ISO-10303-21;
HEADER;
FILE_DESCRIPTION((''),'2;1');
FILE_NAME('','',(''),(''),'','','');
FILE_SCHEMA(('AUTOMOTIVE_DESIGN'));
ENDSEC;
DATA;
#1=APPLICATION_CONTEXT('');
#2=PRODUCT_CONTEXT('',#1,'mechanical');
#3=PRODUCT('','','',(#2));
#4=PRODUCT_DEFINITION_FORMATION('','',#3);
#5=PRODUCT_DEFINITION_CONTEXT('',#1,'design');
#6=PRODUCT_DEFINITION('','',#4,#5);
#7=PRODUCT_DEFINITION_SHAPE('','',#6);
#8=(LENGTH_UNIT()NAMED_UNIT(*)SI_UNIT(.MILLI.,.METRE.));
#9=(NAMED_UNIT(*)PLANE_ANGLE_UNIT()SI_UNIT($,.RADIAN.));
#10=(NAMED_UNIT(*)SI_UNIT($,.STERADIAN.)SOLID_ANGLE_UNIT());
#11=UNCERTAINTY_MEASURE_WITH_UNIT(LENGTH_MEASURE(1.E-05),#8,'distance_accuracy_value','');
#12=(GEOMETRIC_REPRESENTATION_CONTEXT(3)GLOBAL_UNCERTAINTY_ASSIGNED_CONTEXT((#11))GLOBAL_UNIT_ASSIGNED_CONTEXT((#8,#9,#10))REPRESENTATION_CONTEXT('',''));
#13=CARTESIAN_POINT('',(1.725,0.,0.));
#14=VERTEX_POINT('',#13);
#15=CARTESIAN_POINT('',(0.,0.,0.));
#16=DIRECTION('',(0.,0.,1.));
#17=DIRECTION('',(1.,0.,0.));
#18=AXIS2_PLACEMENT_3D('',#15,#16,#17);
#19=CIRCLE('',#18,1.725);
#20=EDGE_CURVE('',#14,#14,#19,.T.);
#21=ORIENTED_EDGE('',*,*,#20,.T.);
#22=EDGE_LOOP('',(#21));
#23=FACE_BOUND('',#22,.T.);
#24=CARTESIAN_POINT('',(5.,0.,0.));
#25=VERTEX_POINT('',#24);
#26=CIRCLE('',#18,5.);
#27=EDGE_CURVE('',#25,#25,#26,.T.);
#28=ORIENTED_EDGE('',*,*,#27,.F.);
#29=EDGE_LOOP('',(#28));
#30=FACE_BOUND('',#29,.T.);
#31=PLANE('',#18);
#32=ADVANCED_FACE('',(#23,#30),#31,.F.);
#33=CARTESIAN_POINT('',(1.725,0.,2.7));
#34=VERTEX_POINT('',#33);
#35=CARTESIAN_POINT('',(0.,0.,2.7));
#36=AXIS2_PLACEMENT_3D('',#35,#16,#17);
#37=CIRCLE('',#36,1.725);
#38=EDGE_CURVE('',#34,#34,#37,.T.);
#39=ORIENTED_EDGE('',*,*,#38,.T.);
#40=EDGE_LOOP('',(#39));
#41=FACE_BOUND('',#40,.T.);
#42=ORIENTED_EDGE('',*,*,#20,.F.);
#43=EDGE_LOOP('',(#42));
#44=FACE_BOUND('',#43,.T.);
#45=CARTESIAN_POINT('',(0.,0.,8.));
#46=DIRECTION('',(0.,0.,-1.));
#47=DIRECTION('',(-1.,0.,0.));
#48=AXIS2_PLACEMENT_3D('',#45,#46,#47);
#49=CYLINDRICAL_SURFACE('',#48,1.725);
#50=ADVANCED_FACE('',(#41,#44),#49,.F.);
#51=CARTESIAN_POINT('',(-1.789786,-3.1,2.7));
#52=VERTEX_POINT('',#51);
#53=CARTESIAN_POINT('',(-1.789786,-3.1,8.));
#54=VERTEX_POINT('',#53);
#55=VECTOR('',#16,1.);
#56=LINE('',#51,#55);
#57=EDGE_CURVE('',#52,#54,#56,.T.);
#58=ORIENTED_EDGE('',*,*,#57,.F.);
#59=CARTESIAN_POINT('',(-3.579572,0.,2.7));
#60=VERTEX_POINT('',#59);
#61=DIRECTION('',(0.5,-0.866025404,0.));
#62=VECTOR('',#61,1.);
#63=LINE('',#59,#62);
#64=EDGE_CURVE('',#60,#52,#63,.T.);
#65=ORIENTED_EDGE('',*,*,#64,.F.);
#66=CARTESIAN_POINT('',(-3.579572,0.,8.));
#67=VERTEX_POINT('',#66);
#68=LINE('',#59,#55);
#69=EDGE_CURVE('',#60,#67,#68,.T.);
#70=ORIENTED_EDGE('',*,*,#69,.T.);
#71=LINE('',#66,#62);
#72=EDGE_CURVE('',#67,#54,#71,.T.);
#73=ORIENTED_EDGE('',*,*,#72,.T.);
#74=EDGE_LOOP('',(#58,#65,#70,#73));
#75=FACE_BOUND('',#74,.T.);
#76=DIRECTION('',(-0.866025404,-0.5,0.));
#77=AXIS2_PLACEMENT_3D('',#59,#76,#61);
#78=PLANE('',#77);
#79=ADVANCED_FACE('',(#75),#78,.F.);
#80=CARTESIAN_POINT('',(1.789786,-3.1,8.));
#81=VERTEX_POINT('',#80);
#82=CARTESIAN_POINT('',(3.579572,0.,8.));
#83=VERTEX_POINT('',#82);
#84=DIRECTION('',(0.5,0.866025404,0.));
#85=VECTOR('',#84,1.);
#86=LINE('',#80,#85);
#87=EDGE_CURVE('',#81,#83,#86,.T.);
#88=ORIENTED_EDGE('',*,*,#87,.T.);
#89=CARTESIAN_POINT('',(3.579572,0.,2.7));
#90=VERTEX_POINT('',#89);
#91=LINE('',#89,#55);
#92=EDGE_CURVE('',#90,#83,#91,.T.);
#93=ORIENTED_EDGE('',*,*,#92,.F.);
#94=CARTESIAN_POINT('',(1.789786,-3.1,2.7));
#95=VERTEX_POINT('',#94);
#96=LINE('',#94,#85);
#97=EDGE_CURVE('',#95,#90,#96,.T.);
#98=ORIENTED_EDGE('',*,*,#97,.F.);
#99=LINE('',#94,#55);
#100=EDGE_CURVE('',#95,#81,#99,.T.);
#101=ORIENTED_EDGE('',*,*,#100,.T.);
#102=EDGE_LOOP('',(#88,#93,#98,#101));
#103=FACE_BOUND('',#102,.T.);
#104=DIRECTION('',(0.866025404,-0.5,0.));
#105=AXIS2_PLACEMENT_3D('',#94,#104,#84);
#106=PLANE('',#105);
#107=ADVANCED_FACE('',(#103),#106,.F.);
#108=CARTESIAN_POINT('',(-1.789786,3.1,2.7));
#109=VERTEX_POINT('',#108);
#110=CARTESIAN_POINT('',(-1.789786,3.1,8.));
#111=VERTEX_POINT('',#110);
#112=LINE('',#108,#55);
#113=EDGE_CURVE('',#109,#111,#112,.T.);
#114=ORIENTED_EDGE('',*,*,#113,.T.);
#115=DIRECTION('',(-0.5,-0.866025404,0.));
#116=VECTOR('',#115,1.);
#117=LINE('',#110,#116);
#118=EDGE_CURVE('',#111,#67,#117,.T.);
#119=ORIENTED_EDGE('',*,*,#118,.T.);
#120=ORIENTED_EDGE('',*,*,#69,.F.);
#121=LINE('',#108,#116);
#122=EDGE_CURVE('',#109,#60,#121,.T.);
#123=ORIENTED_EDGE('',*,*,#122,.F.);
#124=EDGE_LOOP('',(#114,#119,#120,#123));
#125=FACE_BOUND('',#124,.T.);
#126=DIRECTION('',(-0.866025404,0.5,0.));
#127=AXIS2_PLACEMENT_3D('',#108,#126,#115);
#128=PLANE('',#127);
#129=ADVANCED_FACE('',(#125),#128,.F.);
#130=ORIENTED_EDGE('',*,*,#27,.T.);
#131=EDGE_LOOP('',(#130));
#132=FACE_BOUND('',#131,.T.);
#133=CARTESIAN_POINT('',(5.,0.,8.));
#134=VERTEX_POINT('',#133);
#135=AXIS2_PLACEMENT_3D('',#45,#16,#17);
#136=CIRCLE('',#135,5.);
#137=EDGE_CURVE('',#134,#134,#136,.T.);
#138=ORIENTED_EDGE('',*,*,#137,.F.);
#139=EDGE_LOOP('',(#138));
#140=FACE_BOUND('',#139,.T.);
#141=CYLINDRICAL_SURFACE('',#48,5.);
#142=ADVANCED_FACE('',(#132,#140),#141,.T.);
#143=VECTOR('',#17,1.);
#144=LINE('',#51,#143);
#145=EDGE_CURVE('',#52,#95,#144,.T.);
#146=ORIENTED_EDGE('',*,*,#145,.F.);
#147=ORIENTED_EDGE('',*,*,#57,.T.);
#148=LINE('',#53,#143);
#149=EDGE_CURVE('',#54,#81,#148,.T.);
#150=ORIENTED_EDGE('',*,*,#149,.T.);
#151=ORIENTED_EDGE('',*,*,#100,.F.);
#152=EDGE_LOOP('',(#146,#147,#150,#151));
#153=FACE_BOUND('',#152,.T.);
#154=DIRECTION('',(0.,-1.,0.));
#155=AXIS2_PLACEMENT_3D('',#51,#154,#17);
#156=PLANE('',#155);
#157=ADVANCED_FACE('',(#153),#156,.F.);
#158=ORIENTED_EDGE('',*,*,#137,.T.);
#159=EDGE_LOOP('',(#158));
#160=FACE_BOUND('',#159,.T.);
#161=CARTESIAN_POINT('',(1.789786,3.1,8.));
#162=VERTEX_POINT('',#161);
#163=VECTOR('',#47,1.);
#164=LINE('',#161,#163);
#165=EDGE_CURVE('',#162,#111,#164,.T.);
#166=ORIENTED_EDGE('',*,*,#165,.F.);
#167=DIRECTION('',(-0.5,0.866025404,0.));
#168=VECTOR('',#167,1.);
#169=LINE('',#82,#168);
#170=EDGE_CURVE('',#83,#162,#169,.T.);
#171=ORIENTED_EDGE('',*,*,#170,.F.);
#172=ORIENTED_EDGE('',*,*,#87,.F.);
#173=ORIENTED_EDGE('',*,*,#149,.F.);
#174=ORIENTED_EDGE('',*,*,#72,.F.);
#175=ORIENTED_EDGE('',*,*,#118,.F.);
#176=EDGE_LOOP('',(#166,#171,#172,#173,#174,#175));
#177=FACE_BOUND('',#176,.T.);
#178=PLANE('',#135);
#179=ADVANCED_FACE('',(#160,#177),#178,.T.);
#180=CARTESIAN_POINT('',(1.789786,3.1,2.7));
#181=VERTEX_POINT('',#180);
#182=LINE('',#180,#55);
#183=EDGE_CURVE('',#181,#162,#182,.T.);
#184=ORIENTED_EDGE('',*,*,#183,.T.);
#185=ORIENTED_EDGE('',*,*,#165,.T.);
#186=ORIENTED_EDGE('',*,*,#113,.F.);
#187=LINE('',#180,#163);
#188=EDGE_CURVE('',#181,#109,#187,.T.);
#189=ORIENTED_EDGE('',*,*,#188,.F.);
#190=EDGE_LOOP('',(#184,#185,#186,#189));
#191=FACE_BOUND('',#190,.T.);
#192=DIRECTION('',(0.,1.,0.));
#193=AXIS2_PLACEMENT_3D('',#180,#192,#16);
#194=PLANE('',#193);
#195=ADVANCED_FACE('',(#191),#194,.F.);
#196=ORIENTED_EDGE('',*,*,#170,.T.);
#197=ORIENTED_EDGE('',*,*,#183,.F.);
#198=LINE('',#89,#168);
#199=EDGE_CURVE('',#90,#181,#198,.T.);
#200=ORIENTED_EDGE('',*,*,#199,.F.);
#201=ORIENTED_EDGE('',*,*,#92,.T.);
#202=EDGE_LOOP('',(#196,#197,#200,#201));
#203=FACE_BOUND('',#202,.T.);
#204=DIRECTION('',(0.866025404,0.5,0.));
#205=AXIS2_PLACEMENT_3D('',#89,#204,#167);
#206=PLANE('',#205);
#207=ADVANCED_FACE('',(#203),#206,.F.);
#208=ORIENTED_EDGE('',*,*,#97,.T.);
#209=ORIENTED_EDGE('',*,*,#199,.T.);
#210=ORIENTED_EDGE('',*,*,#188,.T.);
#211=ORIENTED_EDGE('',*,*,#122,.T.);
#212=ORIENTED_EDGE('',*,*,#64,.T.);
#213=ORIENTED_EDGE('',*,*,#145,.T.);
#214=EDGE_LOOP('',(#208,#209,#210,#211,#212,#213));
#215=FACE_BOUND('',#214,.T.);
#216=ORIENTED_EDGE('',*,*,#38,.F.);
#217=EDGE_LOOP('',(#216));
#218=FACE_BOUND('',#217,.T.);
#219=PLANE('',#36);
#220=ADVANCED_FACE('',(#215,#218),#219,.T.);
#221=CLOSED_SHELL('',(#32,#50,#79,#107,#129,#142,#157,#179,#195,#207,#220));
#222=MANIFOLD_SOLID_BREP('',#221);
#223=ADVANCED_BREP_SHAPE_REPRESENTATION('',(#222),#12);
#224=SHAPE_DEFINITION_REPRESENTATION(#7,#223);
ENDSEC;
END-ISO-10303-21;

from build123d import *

# Parameters (mm, degrees)
SKETCH1_R           = 5
SKETCH1_R_2         = 1.725
BOSS_EXTRUDE1_DEPTH = 8
CUT_EXTRUDE1_DEPTH  = 5.3


with BuildPart() as part:
    # Sketch1 → Boss-Extrude1 (new body)
    with BuildSketch(Plane.XY):
        Circle(SKETCH1_R)
        Circle(SKETCH1_R_2, mode=Mode.SUBTRACT)
    extrude(amount=BOSS_EXTRUDE1_DEPTH)

    # Sketch2 → Cut-Extrude1 (cut)
    with BuildSketch(Plane.XY.offset(8)):
        Polygon((3.579571669, 0), (1.789785834, 3.1), (-1.789785834, 3.1), (-3.579571669, 0), (-1.789785834, -3.1), (1.789785834, -3.1), align=None)
    extrude(amount=-CUT_EXTRUDE1_DEPTH, mode=Mode.SUBTRACT)


solid = part.part
